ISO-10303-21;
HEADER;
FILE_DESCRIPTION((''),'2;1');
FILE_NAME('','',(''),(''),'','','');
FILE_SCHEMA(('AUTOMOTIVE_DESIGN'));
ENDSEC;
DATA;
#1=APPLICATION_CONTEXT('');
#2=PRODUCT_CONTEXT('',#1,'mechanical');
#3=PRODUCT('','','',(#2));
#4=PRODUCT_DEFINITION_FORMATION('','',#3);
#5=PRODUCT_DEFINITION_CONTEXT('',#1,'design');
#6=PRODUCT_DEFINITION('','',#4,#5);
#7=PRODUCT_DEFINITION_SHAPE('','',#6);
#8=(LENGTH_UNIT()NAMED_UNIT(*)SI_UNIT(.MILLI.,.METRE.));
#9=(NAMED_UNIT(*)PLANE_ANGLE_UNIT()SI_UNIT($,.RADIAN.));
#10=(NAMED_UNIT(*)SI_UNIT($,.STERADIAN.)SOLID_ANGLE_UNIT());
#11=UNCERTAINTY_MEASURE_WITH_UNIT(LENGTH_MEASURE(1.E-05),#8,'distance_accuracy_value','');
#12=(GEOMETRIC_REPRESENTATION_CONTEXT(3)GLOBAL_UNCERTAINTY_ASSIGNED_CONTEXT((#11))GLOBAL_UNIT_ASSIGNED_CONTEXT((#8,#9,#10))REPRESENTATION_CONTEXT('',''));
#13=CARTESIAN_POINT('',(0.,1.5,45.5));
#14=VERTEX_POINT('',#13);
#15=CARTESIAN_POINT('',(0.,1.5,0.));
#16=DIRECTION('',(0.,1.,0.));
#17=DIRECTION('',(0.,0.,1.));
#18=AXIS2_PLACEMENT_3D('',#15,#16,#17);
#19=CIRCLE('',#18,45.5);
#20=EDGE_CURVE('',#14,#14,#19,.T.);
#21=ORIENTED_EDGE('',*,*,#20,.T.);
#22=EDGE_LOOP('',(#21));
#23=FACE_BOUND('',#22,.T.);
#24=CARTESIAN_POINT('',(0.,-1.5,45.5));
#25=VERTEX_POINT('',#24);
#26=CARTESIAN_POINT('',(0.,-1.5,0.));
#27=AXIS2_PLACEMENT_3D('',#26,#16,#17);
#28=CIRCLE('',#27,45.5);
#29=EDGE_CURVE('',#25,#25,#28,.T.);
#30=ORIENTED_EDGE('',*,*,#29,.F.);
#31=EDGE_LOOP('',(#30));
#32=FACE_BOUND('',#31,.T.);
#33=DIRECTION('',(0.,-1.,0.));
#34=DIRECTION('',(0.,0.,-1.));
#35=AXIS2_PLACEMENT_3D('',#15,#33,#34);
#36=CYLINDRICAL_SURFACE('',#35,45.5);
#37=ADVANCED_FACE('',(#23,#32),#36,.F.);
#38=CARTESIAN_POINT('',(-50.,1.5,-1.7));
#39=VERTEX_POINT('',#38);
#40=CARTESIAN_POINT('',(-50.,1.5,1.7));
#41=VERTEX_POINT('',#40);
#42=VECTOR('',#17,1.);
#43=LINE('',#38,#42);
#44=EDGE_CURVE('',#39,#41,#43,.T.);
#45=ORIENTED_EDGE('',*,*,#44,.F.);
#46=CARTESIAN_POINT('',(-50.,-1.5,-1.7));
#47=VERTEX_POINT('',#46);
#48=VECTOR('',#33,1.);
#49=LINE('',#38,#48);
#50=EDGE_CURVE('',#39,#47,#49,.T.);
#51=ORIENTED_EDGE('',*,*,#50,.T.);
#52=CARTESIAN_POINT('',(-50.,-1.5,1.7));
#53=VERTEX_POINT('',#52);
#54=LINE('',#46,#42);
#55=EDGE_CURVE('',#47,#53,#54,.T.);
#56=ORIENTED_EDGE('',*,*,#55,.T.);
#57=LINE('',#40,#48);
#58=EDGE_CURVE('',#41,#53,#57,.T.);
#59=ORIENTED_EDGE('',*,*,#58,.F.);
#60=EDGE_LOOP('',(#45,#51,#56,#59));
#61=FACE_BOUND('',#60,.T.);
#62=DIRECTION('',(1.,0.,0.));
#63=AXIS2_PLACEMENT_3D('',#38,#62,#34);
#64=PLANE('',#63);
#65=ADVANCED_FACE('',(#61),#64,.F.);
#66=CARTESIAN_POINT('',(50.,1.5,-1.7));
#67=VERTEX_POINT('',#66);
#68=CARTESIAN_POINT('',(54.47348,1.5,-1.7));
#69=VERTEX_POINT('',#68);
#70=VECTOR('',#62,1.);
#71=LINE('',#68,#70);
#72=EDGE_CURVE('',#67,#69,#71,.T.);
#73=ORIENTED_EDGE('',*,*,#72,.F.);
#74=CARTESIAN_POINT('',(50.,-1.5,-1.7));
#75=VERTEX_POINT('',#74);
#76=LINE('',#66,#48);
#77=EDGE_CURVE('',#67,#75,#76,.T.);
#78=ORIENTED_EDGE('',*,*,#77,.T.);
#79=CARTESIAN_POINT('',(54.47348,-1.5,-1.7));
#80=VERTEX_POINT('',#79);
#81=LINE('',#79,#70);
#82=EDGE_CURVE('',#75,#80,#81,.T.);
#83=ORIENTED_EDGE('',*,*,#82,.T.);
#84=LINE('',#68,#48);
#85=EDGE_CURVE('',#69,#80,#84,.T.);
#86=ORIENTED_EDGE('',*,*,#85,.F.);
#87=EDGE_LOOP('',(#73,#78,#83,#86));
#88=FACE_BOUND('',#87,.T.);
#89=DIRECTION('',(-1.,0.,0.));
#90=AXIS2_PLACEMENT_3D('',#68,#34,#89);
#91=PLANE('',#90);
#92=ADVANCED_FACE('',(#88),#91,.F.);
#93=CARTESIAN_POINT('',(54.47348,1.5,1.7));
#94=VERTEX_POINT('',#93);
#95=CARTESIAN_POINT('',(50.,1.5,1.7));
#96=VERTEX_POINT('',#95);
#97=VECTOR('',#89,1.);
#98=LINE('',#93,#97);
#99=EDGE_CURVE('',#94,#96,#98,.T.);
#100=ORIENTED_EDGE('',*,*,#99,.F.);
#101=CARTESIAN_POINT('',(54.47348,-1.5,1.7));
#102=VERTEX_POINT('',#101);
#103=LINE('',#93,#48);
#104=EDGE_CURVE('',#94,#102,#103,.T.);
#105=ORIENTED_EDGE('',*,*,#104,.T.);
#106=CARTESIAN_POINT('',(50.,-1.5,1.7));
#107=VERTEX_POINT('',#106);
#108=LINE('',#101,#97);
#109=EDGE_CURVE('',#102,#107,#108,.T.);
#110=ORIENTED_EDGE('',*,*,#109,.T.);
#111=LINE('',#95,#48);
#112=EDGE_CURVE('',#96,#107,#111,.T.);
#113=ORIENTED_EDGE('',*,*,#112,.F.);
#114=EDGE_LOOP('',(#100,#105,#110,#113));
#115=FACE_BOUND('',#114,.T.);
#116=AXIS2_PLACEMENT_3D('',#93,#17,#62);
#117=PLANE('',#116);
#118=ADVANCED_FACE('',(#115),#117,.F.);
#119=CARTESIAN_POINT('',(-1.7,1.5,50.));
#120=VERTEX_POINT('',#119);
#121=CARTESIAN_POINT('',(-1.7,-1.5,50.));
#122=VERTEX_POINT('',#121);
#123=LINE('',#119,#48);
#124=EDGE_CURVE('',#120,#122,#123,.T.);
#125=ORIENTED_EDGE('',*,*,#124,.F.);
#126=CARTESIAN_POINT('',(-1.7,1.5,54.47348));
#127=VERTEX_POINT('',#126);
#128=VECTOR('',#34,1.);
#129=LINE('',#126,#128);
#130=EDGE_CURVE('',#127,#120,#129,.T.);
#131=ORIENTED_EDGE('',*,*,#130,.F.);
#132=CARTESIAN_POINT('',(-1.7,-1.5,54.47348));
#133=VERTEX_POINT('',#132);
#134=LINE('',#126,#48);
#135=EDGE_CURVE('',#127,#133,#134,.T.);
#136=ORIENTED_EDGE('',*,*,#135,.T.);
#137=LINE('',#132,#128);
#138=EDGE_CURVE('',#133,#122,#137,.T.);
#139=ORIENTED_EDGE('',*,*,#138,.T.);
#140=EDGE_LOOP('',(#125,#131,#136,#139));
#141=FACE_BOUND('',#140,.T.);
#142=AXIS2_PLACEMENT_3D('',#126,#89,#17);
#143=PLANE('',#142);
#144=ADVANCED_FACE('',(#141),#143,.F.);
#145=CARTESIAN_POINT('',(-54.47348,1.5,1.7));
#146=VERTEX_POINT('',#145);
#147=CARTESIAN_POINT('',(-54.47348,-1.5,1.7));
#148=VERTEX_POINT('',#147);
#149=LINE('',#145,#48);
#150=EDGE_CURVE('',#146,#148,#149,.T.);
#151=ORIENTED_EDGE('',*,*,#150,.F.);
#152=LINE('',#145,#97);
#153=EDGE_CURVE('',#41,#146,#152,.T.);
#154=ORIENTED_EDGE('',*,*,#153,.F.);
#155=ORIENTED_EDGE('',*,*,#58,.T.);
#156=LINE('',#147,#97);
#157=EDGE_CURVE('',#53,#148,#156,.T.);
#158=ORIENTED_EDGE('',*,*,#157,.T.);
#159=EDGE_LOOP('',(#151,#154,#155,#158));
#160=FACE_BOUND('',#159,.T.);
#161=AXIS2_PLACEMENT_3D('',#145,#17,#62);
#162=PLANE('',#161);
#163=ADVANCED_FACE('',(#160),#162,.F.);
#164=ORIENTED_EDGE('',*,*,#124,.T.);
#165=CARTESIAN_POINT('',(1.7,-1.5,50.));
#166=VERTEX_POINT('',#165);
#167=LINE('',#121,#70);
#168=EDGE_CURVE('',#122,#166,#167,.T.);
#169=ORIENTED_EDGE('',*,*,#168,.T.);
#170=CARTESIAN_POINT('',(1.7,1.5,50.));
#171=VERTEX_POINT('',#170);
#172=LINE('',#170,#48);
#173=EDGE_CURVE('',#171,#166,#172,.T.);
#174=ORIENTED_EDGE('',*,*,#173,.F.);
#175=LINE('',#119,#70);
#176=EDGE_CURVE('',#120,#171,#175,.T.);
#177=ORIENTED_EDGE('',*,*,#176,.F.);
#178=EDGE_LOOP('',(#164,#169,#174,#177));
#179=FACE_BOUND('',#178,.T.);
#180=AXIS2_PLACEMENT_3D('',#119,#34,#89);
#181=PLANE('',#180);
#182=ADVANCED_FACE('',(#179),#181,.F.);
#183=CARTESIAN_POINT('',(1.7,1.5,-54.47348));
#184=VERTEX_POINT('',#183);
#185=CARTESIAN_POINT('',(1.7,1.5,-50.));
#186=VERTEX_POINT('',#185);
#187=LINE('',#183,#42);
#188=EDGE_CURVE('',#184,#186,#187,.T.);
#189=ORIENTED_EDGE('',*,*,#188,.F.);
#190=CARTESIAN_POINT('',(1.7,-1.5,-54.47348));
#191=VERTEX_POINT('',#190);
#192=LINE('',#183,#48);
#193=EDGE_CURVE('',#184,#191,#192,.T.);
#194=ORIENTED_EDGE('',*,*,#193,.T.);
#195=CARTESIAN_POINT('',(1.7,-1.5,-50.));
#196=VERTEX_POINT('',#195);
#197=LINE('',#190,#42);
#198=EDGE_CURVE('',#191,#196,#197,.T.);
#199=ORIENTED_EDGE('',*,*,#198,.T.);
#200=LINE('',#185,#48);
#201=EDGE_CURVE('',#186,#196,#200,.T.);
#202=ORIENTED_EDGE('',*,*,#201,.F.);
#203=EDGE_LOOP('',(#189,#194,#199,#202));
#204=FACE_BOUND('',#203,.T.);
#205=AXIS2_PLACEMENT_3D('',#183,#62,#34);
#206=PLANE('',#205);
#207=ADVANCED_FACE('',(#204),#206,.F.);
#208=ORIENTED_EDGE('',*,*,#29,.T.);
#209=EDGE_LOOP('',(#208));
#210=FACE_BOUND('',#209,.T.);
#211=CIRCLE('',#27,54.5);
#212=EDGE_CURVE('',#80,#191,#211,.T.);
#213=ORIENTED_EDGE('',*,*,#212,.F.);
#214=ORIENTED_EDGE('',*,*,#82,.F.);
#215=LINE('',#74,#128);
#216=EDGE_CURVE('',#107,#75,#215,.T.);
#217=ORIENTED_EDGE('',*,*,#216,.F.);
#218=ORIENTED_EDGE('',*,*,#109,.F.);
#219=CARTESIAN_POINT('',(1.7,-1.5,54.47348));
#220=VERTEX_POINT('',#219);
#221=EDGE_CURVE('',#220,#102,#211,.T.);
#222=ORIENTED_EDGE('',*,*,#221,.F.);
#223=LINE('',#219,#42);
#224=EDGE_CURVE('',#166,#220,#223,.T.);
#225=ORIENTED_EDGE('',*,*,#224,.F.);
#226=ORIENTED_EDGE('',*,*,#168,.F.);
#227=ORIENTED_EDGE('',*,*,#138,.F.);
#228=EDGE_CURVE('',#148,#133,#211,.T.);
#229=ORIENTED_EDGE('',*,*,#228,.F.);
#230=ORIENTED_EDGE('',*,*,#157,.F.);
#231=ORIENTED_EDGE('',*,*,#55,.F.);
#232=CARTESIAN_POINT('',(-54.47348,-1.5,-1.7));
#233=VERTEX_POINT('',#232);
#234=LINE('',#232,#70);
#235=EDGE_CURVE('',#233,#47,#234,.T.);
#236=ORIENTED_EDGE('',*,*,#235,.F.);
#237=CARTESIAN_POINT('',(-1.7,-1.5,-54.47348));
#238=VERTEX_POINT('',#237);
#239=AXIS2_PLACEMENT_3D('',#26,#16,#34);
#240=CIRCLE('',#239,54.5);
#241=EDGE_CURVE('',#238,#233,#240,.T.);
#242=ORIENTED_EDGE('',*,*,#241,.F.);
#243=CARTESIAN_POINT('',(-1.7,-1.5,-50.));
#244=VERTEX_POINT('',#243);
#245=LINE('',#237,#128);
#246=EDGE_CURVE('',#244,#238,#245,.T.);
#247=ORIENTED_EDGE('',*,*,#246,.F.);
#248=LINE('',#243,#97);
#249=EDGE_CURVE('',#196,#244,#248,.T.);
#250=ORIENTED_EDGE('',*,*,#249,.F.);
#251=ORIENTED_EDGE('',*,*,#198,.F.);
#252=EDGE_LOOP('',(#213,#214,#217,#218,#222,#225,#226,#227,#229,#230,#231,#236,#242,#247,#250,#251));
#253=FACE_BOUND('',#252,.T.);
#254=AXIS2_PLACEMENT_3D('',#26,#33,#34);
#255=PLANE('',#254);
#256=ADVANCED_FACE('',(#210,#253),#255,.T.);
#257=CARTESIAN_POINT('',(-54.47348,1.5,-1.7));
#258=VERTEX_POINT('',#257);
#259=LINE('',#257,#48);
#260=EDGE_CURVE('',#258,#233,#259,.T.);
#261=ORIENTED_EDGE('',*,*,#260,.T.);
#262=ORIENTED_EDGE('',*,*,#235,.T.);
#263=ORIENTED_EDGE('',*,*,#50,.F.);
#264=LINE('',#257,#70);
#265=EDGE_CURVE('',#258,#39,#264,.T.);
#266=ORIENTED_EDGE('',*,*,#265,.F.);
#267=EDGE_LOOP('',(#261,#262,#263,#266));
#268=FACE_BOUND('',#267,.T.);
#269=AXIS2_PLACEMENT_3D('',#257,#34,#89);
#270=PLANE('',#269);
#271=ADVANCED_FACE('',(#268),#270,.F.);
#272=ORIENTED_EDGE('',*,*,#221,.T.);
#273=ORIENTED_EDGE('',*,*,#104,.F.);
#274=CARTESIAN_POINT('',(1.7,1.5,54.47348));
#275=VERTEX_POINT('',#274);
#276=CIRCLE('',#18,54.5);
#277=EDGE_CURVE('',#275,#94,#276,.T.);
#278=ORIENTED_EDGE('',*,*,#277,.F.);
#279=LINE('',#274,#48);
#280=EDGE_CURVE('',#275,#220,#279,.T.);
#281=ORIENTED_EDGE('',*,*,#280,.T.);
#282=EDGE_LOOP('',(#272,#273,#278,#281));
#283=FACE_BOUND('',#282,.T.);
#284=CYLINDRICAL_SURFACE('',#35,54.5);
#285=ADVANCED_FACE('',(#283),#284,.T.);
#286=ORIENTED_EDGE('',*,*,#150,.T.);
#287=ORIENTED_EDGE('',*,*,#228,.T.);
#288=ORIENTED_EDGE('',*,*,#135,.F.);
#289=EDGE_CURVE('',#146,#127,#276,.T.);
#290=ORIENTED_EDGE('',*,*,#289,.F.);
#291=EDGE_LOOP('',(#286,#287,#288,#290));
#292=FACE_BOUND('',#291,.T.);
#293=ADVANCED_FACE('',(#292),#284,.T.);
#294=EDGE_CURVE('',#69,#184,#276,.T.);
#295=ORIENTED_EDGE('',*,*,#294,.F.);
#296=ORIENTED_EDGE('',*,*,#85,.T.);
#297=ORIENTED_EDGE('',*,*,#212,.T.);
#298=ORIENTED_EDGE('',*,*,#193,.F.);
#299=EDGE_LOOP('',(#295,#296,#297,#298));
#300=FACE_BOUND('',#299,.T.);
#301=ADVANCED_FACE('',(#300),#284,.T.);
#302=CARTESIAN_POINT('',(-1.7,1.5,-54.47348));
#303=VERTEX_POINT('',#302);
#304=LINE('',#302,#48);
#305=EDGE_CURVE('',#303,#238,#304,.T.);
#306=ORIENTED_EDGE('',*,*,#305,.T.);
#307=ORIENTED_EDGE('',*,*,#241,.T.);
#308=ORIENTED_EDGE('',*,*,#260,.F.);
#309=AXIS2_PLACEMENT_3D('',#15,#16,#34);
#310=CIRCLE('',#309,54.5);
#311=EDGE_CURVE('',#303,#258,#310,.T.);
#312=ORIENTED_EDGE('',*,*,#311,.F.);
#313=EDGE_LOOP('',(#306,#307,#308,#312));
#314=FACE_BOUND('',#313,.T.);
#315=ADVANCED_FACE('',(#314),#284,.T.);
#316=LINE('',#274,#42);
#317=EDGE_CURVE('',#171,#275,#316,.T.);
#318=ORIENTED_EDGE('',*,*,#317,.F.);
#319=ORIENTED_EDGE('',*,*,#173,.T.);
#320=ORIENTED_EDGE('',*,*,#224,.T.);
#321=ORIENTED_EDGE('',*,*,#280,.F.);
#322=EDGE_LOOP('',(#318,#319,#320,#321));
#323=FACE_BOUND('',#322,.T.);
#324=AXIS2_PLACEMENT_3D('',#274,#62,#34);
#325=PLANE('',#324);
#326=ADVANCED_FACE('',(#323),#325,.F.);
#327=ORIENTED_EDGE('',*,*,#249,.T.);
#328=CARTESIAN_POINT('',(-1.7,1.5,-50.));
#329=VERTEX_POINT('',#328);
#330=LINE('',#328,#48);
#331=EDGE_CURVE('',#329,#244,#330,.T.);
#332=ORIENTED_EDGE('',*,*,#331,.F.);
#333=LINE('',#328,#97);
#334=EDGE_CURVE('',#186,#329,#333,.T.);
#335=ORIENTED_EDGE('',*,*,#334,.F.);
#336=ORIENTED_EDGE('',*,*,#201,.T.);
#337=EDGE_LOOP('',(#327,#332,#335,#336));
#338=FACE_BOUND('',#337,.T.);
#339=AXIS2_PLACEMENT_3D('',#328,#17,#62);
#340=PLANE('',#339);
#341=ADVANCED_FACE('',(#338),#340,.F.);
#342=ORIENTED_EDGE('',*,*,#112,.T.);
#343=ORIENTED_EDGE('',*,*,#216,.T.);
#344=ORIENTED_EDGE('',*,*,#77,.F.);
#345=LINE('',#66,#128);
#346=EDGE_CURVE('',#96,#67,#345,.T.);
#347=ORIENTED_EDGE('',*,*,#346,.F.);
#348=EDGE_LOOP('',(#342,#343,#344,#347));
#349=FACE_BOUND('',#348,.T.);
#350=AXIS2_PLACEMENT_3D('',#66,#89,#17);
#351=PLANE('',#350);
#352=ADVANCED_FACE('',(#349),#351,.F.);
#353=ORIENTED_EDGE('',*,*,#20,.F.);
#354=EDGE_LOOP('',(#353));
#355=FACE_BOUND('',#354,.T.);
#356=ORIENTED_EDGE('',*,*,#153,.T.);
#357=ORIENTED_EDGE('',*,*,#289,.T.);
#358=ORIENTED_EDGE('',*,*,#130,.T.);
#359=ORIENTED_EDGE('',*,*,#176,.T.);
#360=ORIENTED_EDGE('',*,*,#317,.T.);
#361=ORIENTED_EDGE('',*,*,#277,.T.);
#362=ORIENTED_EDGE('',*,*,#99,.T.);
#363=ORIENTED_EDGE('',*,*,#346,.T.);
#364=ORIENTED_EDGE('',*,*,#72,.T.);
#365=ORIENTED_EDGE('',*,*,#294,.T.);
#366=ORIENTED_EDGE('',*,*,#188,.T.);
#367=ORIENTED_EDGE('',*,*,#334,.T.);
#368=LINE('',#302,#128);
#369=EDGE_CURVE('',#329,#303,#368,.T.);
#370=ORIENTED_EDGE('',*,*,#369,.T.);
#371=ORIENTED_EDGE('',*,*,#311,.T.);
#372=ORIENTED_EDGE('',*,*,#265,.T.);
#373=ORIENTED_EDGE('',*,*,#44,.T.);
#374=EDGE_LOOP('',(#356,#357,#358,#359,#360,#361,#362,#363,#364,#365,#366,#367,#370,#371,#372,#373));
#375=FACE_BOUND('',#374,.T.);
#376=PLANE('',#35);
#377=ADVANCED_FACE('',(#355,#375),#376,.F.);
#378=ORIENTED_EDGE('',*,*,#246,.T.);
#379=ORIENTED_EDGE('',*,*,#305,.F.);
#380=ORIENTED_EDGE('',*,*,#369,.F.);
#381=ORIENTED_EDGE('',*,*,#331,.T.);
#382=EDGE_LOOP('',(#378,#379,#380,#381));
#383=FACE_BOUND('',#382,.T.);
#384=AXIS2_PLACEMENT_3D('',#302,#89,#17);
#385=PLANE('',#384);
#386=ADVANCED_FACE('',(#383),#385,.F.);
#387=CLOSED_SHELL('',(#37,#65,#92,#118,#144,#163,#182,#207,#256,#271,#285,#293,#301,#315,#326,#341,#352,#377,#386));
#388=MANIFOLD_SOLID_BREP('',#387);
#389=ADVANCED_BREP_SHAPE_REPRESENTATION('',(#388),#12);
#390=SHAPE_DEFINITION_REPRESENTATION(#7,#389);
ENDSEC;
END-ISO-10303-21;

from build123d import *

# Parameters (mm, degrees)
SKETCH1_R           = 45.5
BOSS_EXTRUDE1_DEPTH = 1.5


with BuildPart() as part:
    # Sketch1 → Boss-Extrude1 (new, symmetric)
    with BuildSketch(Plane(origin=(0, 0, 0), x_dir=(1, 0, 0), z_dir=(0, 1, 0))):
        with BuildLine():
            Line((-1.7, 54.473479786), (-1.7, 50))
            Line((-1.7, 50), (1.7, 50))
            Line((1.7, 50), (1.7, 54.473479786))
            ThreePointArc((1.7, 54.473479786), (38.537319575, 38.537319575), (54.473479786, 1.7))
            Line((54.473479786, 1.7), (50, 1.7))
            Line((50, 1.7), (50, -1.7))
            Line((50, -1.7), (54.473479786, -1.7))
            ThreePointArc((54.473479786, -1.7), (38.537319575, -38.537319575), (1.7, -54.473479786))
            Line((1.7, -54.473479786), (1.7, -50))
            Line((1.7, -50), (-1.7, -50))
            Line((-1.7, -50), (-1.7, -54.473479786))
            ThreePointArc((-1.7, -54.473479786), (-38.537319575, -38.537319575), (-54.473479786, -1.7))
            Line((-54.473479786, -1.7), (-50, -1.7))
            Line((-50, -1.7), (-50, 1.7))
            Line((-50, 1.7), (-54.473479786, 1.7))
            ThreePointArc((-54.473479786, 1.7), (-38.537319575, 38.537319575), (-1.7, 54.473479786))
        make_face()
        with Locations(Location((0, 0, 0), (0, 0, 270))):
            Circle(SKETCH1_R, mode=Mode.SUBTRACT)
    extrude(amount=BOSS_EXTRUDE1_DEPTH, both=True)


solid = part.part
